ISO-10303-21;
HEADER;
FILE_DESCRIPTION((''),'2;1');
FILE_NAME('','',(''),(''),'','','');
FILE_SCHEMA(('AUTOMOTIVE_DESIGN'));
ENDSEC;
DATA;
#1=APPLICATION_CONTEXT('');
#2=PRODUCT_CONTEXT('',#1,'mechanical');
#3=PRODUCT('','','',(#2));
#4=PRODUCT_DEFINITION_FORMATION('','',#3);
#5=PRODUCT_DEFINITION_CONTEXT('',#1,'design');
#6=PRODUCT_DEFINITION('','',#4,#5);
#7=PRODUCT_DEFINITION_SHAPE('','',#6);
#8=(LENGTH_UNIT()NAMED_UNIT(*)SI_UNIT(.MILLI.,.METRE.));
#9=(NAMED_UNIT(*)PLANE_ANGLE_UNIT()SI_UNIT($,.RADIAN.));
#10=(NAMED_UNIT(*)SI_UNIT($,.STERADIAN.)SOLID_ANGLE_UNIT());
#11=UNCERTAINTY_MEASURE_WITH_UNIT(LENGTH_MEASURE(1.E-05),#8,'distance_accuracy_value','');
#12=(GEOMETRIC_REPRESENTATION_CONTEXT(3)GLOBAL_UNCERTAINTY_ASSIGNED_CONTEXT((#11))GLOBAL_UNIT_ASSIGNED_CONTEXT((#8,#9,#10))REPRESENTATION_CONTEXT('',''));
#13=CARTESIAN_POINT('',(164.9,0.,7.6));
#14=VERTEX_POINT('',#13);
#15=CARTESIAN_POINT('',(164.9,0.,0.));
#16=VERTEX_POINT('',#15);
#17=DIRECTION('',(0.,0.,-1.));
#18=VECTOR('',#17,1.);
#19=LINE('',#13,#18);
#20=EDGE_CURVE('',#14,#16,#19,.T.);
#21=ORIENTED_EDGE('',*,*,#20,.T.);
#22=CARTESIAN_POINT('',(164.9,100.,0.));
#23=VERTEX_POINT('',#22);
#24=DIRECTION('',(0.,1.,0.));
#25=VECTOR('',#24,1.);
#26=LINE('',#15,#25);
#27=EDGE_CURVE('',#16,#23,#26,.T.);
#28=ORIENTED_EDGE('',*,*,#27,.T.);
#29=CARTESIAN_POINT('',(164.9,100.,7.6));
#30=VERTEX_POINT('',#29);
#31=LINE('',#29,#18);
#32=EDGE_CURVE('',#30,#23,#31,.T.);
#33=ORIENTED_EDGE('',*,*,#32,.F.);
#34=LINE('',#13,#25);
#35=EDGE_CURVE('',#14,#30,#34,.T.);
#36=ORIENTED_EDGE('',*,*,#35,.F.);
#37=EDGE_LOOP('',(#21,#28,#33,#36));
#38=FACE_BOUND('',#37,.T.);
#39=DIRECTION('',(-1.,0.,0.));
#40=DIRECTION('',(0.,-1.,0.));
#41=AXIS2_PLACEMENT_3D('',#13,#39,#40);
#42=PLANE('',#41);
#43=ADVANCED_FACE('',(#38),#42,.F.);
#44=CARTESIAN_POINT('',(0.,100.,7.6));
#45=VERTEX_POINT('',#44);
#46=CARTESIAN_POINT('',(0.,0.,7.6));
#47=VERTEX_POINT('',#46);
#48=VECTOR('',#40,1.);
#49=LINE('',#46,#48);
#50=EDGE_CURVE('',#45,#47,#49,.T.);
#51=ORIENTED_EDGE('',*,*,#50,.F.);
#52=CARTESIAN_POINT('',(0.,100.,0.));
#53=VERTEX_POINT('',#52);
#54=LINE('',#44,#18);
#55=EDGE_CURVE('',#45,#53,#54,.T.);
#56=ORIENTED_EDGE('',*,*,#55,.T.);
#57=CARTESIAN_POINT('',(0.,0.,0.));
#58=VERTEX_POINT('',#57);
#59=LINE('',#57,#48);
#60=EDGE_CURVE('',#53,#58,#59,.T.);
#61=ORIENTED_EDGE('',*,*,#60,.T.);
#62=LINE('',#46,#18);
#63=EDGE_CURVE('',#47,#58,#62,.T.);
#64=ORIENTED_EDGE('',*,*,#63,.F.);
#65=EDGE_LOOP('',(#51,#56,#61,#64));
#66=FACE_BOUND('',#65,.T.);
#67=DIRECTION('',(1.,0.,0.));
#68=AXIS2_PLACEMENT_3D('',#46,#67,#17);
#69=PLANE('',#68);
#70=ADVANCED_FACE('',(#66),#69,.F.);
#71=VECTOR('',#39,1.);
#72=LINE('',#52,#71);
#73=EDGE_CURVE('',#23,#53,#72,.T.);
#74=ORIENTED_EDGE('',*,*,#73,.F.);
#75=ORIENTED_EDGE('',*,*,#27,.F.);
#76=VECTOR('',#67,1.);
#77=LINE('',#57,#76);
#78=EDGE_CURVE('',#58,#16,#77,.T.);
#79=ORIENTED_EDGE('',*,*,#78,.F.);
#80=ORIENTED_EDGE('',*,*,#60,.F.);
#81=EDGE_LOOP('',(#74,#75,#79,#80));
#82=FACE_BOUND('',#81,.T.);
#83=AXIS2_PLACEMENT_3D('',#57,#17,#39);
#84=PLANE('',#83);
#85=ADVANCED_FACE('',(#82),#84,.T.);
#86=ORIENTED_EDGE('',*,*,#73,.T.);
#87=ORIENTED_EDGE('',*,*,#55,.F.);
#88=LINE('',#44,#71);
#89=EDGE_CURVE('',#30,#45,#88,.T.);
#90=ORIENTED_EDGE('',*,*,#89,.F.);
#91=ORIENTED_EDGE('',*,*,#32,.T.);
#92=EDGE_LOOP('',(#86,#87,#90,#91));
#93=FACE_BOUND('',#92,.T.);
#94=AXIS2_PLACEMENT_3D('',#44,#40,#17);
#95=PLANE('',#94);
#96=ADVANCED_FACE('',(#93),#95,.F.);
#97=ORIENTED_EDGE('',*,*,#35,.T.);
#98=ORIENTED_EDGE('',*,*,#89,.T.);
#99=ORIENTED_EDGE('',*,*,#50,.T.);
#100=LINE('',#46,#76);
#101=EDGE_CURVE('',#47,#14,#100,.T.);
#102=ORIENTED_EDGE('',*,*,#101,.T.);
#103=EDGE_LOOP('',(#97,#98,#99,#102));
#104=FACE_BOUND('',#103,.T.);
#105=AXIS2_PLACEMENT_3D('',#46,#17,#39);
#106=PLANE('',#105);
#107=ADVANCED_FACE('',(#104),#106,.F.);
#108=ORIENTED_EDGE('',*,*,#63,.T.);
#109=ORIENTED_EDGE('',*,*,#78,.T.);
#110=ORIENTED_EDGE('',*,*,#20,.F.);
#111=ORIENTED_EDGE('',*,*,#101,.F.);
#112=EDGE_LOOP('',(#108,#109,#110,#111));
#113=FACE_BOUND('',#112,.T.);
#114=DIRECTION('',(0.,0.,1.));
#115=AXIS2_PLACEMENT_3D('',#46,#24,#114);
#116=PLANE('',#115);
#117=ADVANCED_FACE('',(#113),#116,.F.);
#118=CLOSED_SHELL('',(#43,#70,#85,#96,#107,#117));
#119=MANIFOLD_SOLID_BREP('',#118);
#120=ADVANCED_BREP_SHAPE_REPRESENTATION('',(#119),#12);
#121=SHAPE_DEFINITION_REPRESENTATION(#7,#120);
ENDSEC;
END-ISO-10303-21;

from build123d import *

# Parameters (mm, degrees)
ESQUISSE1_W        = 164.9
ESQUISSE1_H        = 100
BOSS_EXTRU_1_DEPTH = 7.6


with BuildPart() as part:
    # Esquisse1 → Boss.-Extru.1 (new body)
    with BuildSketch(Plane.XY):
        with Locations((82.45, 50)):
            Rectangle(ESQUISSE1_W, ESQUISSE1_H)
    extrude(amount=BOSS_EXTRU_1_DEPTH)


solid = part.part
